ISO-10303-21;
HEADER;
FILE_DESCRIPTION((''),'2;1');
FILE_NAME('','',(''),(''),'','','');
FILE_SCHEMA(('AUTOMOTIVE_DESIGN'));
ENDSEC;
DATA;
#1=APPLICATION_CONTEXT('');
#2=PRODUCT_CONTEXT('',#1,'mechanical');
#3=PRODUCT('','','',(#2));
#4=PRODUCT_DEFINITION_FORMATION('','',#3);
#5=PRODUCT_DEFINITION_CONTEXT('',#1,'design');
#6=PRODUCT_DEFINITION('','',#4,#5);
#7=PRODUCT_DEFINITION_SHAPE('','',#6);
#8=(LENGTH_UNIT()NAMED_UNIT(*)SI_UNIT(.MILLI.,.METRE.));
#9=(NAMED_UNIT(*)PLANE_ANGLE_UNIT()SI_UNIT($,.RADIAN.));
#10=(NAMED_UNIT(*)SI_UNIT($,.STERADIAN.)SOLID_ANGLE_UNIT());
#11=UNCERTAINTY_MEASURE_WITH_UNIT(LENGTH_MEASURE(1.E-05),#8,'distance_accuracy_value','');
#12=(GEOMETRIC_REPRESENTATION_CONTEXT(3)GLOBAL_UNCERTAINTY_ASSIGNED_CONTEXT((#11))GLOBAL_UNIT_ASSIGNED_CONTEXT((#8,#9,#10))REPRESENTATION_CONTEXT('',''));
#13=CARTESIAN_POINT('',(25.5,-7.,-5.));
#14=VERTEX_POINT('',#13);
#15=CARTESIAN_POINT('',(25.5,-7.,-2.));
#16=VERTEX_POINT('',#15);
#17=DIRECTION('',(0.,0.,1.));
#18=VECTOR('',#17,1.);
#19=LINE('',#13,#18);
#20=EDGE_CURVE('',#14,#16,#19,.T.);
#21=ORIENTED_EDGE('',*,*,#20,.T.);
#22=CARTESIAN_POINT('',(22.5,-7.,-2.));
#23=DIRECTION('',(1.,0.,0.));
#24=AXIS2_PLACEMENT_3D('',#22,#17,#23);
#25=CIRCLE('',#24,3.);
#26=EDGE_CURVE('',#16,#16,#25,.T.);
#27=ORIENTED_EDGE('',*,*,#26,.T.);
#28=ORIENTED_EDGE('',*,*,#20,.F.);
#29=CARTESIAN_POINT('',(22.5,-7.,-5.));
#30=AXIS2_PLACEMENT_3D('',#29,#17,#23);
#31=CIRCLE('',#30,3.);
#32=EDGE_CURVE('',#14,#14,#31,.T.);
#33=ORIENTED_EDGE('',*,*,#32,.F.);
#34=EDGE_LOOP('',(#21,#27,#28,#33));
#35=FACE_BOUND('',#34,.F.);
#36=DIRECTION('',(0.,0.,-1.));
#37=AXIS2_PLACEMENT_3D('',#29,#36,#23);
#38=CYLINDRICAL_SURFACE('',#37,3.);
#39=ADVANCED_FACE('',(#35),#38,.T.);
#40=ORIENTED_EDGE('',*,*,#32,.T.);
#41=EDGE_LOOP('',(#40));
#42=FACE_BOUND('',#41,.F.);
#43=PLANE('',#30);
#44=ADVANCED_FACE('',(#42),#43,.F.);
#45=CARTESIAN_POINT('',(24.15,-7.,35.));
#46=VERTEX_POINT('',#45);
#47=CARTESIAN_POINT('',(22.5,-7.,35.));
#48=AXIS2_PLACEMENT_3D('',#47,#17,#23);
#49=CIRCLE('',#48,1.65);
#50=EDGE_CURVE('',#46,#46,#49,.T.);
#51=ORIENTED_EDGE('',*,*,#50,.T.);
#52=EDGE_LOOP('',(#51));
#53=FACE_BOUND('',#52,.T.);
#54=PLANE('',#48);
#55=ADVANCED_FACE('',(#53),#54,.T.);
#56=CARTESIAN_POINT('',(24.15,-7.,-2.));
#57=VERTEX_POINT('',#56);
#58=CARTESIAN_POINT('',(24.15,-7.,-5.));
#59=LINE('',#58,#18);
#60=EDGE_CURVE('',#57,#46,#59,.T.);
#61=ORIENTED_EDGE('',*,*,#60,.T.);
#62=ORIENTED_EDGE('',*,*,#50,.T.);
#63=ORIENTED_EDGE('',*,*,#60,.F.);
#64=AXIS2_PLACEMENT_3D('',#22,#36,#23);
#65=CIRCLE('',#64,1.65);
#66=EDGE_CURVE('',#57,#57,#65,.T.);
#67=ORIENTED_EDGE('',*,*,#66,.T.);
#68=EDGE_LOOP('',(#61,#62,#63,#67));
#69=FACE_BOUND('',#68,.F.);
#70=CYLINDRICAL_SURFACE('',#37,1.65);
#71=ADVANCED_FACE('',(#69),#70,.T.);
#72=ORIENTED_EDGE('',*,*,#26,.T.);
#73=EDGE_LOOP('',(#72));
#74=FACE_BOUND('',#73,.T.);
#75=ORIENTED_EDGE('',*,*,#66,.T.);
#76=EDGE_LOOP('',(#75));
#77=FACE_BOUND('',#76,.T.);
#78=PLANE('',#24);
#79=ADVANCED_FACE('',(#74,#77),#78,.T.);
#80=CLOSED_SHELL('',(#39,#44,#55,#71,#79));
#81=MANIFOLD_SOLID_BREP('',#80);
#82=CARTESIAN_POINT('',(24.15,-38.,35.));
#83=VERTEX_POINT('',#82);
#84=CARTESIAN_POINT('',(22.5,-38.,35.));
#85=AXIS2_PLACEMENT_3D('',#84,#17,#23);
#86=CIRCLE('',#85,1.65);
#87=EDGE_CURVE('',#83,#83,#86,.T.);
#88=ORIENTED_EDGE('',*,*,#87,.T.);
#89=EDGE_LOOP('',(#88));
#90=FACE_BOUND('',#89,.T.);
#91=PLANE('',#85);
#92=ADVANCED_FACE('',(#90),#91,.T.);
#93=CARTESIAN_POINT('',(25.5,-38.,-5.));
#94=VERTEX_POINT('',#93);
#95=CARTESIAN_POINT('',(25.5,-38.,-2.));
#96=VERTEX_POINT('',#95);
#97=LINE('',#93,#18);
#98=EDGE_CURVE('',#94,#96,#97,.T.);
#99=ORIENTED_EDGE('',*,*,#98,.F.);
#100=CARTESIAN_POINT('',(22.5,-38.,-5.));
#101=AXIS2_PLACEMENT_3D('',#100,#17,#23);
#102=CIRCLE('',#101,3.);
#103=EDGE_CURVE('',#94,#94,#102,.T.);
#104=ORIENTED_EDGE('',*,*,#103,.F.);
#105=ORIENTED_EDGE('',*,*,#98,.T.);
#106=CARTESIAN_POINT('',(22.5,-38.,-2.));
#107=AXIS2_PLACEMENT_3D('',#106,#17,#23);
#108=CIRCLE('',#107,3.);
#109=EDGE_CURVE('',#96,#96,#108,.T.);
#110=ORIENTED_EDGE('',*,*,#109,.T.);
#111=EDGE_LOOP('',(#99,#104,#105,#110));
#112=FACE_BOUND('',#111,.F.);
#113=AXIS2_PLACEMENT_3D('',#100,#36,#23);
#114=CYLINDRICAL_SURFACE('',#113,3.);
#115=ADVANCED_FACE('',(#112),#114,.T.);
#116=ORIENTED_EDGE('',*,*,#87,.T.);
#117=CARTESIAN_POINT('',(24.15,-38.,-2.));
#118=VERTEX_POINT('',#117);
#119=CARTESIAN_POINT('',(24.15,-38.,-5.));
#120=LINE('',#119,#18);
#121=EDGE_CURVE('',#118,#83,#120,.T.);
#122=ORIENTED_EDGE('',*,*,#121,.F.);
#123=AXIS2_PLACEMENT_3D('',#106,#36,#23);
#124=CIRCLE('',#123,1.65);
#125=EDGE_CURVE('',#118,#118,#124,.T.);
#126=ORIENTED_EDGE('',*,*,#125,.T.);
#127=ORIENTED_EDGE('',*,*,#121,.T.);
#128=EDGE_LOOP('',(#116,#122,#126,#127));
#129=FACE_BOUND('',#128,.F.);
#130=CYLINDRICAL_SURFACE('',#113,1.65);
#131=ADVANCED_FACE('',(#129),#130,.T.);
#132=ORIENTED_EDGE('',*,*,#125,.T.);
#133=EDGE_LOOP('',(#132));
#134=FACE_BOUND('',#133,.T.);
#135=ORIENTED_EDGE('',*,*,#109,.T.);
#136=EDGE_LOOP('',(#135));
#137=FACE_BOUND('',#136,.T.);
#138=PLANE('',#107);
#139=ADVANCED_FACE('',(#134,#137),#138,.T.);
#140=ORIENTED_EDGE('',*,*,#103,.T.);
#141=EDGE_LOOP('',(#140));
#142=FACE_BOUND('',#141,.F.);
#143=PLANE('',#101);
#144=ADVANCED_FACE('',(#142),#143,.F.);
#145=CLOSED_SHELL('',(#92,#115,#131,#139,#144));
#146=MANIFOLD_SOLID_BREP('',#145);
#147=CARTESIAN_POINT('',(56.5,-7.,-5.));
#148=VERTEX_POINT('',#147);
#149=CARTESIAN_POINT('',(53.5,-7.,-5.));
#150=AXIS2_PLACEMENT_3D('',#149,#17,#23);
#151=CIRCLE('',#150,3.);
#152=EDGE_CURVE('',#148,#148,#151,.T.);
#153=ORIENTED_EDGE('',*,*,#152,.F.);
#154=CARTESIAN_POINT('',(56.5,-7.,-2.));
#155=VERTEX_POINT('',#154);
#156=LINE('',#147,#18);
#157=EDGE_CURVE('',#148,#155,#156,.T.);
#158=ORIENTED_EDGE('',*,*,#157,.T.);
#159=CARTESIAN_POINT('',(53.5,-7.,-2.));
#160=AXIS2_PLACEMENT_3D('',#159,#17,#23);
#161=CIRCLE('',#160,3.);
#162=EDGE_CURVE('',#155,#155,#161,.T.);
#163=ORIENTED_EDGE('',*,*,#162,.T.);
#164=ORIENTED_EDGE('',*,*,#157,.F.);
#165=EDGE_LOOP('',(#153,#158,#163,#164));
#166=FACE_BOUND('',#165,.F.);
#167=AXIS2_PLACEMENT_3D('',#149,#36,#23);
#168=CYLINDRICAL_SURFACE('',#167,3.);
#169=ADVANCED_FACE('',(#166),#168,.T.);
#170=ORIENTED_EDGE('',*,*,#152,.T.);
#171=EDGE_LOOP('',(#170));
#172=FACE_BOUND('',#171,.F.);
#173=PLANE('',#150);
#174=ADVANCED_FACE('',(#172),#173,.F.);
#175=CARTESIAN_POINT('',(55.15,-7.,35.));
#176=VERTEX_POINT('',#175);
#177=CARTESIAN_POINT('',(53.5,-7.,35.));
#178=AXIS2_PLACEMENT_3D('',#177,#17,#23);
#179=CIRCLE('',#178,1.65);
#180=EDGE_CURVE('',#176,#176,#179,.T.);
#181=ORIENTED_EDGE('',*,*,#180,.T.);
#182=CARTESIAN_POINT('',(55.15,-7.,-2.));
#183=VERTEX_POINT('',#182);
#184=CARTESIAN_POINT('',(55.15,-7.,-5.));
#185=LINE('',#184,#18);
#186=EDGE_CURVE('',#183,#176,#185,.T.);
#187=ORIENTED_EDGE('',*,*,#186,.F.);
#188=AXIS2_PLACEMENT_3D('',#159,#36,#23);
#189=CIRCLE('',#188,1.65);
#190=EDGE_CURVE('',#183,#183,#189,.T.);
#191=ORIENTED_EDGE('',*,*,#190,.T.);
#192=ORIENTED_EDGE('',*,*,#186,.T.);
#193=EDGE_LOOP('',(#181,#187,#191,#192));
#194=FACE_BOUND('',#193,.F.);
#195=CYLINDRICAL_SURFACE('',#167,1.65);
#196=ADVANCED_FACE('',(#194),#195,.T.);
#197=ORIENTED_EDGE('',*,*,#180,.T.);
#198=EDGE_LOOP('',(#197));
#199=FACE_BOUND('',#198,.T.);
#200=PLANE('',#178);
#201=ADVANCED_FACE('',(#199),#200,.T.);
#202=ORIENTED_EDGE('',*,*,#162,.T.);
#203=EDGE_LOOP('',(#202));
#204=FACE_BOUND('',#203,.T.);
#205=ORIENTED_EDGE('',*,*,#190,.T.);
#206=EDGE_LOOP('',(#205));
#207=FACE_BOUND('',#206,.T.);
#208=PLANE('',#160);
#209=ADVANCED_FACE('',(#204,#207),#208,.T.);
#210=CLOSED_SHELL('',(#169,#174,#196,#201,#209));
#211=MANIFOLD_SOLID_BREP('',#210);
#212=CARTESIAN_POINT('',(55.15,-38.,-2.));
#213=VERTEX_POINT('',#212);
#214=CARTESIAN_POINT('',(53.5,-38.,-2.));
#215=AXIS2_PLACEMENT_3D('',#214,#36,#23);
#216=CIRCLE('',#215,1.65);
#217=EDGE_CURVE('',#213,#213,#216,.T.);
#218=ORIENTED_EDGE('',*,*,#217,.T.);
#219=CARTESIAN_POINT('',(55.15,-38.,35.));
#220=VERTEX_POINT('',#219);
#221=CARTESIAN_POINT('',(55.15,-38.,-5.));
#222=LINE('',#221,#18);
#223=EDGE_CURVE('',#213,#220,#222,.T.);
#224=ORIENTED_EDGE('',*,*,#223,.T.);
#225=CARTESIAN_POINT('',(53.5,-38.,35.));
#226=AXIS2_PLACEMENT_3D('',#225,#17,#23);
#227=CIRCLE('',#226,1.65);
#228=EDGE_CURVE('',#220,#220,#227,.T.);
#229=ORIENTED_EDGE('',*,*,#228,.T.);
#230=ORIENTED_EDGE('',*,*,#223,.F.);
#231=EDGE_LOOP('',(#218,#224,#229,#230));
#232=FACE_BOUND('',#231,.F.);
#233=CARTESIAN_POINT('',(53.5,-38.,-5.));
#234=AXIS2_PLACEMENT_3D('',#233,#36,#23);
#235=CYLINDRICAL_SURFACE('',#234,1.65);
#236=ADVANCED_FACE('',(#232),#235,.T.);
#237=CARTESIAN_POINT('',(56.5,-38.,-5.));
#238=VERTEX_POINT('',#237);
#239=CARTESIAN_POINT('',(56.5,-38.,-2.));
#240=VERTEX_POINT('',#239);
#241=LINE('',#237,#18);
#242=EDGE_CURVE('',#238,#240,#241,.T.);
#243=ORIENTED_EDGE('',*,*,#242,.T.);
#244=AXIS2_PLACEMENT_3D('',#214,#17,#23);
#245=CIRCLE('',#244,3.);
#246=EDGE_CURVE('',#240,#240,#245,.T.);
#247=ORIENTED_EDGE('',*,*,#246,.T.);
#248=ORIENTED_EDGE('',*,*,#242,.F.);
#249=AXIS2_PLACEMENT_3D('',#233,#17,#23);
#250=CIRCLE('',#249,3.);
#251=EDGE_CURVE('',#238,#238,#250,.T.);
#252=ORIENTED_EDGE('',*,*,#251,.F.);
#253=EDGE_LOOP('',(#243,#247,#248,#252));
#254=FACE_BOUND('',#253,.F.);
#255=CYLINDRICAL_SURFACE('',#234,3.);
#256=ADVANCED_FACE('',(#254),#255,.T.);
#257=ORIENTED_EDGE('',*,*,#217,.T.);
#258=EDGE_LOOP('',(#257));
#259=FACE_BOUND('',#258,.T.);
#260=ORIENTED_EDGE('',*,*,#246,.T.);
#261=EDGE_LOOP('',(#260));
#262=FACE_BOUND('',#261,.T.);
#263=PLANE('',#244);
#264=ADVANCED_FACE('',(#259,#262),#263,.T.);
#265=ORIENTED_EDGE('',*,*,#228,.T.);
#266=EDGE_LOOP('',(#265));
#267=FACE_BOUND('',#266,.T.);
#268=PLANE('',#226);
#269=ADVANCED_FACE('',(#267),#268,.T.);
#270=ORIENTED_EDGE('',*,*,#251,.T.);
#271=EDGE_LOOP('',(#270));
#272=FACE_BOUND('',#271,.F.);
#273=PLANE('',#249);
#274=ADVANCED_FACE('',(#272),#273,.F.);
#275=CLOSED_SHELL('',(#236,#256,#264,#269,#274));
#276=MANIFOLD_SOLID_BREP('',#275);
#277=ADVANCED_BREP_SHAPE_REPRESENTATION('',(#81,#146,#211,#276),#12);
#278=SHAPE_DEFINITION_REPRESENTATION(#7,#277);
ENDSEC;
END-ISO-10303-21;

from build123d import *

# Parameters (mm, degrees)
CYLINDER067_R     = 3
CYLINDER067_DEPTH = 3
CYLINDER066_R     = 3
CYLINDER066_DEPTH = 3
CYLINDER065_R     = 3
CYLINDER065_DEPTH = 3
CYLINDER061_R     = 1.65
CYLINDER061_DEPTH = 40
CYLINDER062_R     = 1.65
CYLINDER062_DEPTH = 40
CYLINDER063_R     = 1.65
CYLINDER063_DEPTH = 40
CYLINDER064_R     = 1.65
CYLINDER064_DEPTH = 40
CYLINDER068_R     = 3
CYLINDER068_DEPTH = 3


with BuildPart() as cylinder067:
    # Cylinder067 → Cylinder067 (new body)
    with BuildSketch(Plane(origin=(22.5, -38, -5), x_dir=(1, 0, 0), z_dir=(0, 0, 1))):
        Circle(CYLINDER067_R)
    extrude(amount=CYLINDER067_DEPTH)


with BuildPart() as cylinder066:
    # Cylinder066 → Cylinder066 (new body)
    with BuildSketch(Plane(origin=(53.5, -7, -5), x_dir=(1, 0, 0), z_dir=(0, 0, 1))):
        Circle(CYLINDER066_R)
    extrude(amount=CYLINDER066_DEPTH)


with BuildPart() as cylinder065:
    # Cylinder065 → Cylinder065 (new body)
    with BuildSketch(Plane(origin=(22.5, -7, -5), x_dir=(1, 0, 0), z_dir=(0, 0, 1))):
        Circle(CYLINDER065_R)
    extrude(amount=CYLINDER065_DEPTH)


with BuildPart() as cylinder061:
    # Cylinder061 → Cylinder061 (new body)
    with BuildSketch(Plane(origin=(22.5, -7, -5), x_dir=(1, 0, 0), z_dir=(0, 0, 1))):
        Circle(CYLINDER061_R)
    extrude(amount=CYLINDER061_DEPTH)


with BuildPart() as cylinder062:
    # Cylinder062 → Cylinder062 (new body)
    with BuildSketch(Plane(origin=(53.5, -7, -5), x_dir=(1, 0, 0), z_dir=(0, 0, 1))):
        Circle(CYLINDER062_R)
    extrude(amount=CYLINDER062_DEPTH)


with BuildPart() as cylinder063:
    # Cylinder063 → Cylinder063 (new body)
    with BuildSketch(Plane(origin=(22.5, -38, -5), x_dir=(1, 0, 0), z_dir=(0, 0, 1))):
        Circle(CYLINDER063_R)
    extrude(amount=CYLINDER063_DEPTH)


with BuildPart() as cylinder064:
    # Cylinder064 → Cylinder064 (new body)
    with BuildSketch(Plane(origin=(53.5, -38, -5), x_dir=(1, 0, 0), z_dir=(0, 0, 1))):
        Circle(CYLINDER064_R)
    extrude(amount=CYLINDER064_DEPTH)


with BuildPart() as motor_bolt:
    # Cylinder068 → Cylinder068 (new body)
    with BuildSketch(Plane(origin=(53.5, -38, -5), x_dir=(1, 0, 0), z_dir=(0, 0, 1))):
        Circle(CYLINDER068_R)
    extrude(amount=CYLINDER068_DEPTH)

    # Fusion006002011004053036004001003009: union Cylinder067, Cylinder066, Cylinder065, Cylinder061, Cylinder062, Cylinder063, Cylinder064
    add(cylinder067.part)
    add(cylinder066.part)
    add(cylinder065.part)
    add(cylinder061.part)
    add(cylinder062.part)
    add(cylinder063.part)
    add(cylinder064.part)


solid = motor_bolt.part
